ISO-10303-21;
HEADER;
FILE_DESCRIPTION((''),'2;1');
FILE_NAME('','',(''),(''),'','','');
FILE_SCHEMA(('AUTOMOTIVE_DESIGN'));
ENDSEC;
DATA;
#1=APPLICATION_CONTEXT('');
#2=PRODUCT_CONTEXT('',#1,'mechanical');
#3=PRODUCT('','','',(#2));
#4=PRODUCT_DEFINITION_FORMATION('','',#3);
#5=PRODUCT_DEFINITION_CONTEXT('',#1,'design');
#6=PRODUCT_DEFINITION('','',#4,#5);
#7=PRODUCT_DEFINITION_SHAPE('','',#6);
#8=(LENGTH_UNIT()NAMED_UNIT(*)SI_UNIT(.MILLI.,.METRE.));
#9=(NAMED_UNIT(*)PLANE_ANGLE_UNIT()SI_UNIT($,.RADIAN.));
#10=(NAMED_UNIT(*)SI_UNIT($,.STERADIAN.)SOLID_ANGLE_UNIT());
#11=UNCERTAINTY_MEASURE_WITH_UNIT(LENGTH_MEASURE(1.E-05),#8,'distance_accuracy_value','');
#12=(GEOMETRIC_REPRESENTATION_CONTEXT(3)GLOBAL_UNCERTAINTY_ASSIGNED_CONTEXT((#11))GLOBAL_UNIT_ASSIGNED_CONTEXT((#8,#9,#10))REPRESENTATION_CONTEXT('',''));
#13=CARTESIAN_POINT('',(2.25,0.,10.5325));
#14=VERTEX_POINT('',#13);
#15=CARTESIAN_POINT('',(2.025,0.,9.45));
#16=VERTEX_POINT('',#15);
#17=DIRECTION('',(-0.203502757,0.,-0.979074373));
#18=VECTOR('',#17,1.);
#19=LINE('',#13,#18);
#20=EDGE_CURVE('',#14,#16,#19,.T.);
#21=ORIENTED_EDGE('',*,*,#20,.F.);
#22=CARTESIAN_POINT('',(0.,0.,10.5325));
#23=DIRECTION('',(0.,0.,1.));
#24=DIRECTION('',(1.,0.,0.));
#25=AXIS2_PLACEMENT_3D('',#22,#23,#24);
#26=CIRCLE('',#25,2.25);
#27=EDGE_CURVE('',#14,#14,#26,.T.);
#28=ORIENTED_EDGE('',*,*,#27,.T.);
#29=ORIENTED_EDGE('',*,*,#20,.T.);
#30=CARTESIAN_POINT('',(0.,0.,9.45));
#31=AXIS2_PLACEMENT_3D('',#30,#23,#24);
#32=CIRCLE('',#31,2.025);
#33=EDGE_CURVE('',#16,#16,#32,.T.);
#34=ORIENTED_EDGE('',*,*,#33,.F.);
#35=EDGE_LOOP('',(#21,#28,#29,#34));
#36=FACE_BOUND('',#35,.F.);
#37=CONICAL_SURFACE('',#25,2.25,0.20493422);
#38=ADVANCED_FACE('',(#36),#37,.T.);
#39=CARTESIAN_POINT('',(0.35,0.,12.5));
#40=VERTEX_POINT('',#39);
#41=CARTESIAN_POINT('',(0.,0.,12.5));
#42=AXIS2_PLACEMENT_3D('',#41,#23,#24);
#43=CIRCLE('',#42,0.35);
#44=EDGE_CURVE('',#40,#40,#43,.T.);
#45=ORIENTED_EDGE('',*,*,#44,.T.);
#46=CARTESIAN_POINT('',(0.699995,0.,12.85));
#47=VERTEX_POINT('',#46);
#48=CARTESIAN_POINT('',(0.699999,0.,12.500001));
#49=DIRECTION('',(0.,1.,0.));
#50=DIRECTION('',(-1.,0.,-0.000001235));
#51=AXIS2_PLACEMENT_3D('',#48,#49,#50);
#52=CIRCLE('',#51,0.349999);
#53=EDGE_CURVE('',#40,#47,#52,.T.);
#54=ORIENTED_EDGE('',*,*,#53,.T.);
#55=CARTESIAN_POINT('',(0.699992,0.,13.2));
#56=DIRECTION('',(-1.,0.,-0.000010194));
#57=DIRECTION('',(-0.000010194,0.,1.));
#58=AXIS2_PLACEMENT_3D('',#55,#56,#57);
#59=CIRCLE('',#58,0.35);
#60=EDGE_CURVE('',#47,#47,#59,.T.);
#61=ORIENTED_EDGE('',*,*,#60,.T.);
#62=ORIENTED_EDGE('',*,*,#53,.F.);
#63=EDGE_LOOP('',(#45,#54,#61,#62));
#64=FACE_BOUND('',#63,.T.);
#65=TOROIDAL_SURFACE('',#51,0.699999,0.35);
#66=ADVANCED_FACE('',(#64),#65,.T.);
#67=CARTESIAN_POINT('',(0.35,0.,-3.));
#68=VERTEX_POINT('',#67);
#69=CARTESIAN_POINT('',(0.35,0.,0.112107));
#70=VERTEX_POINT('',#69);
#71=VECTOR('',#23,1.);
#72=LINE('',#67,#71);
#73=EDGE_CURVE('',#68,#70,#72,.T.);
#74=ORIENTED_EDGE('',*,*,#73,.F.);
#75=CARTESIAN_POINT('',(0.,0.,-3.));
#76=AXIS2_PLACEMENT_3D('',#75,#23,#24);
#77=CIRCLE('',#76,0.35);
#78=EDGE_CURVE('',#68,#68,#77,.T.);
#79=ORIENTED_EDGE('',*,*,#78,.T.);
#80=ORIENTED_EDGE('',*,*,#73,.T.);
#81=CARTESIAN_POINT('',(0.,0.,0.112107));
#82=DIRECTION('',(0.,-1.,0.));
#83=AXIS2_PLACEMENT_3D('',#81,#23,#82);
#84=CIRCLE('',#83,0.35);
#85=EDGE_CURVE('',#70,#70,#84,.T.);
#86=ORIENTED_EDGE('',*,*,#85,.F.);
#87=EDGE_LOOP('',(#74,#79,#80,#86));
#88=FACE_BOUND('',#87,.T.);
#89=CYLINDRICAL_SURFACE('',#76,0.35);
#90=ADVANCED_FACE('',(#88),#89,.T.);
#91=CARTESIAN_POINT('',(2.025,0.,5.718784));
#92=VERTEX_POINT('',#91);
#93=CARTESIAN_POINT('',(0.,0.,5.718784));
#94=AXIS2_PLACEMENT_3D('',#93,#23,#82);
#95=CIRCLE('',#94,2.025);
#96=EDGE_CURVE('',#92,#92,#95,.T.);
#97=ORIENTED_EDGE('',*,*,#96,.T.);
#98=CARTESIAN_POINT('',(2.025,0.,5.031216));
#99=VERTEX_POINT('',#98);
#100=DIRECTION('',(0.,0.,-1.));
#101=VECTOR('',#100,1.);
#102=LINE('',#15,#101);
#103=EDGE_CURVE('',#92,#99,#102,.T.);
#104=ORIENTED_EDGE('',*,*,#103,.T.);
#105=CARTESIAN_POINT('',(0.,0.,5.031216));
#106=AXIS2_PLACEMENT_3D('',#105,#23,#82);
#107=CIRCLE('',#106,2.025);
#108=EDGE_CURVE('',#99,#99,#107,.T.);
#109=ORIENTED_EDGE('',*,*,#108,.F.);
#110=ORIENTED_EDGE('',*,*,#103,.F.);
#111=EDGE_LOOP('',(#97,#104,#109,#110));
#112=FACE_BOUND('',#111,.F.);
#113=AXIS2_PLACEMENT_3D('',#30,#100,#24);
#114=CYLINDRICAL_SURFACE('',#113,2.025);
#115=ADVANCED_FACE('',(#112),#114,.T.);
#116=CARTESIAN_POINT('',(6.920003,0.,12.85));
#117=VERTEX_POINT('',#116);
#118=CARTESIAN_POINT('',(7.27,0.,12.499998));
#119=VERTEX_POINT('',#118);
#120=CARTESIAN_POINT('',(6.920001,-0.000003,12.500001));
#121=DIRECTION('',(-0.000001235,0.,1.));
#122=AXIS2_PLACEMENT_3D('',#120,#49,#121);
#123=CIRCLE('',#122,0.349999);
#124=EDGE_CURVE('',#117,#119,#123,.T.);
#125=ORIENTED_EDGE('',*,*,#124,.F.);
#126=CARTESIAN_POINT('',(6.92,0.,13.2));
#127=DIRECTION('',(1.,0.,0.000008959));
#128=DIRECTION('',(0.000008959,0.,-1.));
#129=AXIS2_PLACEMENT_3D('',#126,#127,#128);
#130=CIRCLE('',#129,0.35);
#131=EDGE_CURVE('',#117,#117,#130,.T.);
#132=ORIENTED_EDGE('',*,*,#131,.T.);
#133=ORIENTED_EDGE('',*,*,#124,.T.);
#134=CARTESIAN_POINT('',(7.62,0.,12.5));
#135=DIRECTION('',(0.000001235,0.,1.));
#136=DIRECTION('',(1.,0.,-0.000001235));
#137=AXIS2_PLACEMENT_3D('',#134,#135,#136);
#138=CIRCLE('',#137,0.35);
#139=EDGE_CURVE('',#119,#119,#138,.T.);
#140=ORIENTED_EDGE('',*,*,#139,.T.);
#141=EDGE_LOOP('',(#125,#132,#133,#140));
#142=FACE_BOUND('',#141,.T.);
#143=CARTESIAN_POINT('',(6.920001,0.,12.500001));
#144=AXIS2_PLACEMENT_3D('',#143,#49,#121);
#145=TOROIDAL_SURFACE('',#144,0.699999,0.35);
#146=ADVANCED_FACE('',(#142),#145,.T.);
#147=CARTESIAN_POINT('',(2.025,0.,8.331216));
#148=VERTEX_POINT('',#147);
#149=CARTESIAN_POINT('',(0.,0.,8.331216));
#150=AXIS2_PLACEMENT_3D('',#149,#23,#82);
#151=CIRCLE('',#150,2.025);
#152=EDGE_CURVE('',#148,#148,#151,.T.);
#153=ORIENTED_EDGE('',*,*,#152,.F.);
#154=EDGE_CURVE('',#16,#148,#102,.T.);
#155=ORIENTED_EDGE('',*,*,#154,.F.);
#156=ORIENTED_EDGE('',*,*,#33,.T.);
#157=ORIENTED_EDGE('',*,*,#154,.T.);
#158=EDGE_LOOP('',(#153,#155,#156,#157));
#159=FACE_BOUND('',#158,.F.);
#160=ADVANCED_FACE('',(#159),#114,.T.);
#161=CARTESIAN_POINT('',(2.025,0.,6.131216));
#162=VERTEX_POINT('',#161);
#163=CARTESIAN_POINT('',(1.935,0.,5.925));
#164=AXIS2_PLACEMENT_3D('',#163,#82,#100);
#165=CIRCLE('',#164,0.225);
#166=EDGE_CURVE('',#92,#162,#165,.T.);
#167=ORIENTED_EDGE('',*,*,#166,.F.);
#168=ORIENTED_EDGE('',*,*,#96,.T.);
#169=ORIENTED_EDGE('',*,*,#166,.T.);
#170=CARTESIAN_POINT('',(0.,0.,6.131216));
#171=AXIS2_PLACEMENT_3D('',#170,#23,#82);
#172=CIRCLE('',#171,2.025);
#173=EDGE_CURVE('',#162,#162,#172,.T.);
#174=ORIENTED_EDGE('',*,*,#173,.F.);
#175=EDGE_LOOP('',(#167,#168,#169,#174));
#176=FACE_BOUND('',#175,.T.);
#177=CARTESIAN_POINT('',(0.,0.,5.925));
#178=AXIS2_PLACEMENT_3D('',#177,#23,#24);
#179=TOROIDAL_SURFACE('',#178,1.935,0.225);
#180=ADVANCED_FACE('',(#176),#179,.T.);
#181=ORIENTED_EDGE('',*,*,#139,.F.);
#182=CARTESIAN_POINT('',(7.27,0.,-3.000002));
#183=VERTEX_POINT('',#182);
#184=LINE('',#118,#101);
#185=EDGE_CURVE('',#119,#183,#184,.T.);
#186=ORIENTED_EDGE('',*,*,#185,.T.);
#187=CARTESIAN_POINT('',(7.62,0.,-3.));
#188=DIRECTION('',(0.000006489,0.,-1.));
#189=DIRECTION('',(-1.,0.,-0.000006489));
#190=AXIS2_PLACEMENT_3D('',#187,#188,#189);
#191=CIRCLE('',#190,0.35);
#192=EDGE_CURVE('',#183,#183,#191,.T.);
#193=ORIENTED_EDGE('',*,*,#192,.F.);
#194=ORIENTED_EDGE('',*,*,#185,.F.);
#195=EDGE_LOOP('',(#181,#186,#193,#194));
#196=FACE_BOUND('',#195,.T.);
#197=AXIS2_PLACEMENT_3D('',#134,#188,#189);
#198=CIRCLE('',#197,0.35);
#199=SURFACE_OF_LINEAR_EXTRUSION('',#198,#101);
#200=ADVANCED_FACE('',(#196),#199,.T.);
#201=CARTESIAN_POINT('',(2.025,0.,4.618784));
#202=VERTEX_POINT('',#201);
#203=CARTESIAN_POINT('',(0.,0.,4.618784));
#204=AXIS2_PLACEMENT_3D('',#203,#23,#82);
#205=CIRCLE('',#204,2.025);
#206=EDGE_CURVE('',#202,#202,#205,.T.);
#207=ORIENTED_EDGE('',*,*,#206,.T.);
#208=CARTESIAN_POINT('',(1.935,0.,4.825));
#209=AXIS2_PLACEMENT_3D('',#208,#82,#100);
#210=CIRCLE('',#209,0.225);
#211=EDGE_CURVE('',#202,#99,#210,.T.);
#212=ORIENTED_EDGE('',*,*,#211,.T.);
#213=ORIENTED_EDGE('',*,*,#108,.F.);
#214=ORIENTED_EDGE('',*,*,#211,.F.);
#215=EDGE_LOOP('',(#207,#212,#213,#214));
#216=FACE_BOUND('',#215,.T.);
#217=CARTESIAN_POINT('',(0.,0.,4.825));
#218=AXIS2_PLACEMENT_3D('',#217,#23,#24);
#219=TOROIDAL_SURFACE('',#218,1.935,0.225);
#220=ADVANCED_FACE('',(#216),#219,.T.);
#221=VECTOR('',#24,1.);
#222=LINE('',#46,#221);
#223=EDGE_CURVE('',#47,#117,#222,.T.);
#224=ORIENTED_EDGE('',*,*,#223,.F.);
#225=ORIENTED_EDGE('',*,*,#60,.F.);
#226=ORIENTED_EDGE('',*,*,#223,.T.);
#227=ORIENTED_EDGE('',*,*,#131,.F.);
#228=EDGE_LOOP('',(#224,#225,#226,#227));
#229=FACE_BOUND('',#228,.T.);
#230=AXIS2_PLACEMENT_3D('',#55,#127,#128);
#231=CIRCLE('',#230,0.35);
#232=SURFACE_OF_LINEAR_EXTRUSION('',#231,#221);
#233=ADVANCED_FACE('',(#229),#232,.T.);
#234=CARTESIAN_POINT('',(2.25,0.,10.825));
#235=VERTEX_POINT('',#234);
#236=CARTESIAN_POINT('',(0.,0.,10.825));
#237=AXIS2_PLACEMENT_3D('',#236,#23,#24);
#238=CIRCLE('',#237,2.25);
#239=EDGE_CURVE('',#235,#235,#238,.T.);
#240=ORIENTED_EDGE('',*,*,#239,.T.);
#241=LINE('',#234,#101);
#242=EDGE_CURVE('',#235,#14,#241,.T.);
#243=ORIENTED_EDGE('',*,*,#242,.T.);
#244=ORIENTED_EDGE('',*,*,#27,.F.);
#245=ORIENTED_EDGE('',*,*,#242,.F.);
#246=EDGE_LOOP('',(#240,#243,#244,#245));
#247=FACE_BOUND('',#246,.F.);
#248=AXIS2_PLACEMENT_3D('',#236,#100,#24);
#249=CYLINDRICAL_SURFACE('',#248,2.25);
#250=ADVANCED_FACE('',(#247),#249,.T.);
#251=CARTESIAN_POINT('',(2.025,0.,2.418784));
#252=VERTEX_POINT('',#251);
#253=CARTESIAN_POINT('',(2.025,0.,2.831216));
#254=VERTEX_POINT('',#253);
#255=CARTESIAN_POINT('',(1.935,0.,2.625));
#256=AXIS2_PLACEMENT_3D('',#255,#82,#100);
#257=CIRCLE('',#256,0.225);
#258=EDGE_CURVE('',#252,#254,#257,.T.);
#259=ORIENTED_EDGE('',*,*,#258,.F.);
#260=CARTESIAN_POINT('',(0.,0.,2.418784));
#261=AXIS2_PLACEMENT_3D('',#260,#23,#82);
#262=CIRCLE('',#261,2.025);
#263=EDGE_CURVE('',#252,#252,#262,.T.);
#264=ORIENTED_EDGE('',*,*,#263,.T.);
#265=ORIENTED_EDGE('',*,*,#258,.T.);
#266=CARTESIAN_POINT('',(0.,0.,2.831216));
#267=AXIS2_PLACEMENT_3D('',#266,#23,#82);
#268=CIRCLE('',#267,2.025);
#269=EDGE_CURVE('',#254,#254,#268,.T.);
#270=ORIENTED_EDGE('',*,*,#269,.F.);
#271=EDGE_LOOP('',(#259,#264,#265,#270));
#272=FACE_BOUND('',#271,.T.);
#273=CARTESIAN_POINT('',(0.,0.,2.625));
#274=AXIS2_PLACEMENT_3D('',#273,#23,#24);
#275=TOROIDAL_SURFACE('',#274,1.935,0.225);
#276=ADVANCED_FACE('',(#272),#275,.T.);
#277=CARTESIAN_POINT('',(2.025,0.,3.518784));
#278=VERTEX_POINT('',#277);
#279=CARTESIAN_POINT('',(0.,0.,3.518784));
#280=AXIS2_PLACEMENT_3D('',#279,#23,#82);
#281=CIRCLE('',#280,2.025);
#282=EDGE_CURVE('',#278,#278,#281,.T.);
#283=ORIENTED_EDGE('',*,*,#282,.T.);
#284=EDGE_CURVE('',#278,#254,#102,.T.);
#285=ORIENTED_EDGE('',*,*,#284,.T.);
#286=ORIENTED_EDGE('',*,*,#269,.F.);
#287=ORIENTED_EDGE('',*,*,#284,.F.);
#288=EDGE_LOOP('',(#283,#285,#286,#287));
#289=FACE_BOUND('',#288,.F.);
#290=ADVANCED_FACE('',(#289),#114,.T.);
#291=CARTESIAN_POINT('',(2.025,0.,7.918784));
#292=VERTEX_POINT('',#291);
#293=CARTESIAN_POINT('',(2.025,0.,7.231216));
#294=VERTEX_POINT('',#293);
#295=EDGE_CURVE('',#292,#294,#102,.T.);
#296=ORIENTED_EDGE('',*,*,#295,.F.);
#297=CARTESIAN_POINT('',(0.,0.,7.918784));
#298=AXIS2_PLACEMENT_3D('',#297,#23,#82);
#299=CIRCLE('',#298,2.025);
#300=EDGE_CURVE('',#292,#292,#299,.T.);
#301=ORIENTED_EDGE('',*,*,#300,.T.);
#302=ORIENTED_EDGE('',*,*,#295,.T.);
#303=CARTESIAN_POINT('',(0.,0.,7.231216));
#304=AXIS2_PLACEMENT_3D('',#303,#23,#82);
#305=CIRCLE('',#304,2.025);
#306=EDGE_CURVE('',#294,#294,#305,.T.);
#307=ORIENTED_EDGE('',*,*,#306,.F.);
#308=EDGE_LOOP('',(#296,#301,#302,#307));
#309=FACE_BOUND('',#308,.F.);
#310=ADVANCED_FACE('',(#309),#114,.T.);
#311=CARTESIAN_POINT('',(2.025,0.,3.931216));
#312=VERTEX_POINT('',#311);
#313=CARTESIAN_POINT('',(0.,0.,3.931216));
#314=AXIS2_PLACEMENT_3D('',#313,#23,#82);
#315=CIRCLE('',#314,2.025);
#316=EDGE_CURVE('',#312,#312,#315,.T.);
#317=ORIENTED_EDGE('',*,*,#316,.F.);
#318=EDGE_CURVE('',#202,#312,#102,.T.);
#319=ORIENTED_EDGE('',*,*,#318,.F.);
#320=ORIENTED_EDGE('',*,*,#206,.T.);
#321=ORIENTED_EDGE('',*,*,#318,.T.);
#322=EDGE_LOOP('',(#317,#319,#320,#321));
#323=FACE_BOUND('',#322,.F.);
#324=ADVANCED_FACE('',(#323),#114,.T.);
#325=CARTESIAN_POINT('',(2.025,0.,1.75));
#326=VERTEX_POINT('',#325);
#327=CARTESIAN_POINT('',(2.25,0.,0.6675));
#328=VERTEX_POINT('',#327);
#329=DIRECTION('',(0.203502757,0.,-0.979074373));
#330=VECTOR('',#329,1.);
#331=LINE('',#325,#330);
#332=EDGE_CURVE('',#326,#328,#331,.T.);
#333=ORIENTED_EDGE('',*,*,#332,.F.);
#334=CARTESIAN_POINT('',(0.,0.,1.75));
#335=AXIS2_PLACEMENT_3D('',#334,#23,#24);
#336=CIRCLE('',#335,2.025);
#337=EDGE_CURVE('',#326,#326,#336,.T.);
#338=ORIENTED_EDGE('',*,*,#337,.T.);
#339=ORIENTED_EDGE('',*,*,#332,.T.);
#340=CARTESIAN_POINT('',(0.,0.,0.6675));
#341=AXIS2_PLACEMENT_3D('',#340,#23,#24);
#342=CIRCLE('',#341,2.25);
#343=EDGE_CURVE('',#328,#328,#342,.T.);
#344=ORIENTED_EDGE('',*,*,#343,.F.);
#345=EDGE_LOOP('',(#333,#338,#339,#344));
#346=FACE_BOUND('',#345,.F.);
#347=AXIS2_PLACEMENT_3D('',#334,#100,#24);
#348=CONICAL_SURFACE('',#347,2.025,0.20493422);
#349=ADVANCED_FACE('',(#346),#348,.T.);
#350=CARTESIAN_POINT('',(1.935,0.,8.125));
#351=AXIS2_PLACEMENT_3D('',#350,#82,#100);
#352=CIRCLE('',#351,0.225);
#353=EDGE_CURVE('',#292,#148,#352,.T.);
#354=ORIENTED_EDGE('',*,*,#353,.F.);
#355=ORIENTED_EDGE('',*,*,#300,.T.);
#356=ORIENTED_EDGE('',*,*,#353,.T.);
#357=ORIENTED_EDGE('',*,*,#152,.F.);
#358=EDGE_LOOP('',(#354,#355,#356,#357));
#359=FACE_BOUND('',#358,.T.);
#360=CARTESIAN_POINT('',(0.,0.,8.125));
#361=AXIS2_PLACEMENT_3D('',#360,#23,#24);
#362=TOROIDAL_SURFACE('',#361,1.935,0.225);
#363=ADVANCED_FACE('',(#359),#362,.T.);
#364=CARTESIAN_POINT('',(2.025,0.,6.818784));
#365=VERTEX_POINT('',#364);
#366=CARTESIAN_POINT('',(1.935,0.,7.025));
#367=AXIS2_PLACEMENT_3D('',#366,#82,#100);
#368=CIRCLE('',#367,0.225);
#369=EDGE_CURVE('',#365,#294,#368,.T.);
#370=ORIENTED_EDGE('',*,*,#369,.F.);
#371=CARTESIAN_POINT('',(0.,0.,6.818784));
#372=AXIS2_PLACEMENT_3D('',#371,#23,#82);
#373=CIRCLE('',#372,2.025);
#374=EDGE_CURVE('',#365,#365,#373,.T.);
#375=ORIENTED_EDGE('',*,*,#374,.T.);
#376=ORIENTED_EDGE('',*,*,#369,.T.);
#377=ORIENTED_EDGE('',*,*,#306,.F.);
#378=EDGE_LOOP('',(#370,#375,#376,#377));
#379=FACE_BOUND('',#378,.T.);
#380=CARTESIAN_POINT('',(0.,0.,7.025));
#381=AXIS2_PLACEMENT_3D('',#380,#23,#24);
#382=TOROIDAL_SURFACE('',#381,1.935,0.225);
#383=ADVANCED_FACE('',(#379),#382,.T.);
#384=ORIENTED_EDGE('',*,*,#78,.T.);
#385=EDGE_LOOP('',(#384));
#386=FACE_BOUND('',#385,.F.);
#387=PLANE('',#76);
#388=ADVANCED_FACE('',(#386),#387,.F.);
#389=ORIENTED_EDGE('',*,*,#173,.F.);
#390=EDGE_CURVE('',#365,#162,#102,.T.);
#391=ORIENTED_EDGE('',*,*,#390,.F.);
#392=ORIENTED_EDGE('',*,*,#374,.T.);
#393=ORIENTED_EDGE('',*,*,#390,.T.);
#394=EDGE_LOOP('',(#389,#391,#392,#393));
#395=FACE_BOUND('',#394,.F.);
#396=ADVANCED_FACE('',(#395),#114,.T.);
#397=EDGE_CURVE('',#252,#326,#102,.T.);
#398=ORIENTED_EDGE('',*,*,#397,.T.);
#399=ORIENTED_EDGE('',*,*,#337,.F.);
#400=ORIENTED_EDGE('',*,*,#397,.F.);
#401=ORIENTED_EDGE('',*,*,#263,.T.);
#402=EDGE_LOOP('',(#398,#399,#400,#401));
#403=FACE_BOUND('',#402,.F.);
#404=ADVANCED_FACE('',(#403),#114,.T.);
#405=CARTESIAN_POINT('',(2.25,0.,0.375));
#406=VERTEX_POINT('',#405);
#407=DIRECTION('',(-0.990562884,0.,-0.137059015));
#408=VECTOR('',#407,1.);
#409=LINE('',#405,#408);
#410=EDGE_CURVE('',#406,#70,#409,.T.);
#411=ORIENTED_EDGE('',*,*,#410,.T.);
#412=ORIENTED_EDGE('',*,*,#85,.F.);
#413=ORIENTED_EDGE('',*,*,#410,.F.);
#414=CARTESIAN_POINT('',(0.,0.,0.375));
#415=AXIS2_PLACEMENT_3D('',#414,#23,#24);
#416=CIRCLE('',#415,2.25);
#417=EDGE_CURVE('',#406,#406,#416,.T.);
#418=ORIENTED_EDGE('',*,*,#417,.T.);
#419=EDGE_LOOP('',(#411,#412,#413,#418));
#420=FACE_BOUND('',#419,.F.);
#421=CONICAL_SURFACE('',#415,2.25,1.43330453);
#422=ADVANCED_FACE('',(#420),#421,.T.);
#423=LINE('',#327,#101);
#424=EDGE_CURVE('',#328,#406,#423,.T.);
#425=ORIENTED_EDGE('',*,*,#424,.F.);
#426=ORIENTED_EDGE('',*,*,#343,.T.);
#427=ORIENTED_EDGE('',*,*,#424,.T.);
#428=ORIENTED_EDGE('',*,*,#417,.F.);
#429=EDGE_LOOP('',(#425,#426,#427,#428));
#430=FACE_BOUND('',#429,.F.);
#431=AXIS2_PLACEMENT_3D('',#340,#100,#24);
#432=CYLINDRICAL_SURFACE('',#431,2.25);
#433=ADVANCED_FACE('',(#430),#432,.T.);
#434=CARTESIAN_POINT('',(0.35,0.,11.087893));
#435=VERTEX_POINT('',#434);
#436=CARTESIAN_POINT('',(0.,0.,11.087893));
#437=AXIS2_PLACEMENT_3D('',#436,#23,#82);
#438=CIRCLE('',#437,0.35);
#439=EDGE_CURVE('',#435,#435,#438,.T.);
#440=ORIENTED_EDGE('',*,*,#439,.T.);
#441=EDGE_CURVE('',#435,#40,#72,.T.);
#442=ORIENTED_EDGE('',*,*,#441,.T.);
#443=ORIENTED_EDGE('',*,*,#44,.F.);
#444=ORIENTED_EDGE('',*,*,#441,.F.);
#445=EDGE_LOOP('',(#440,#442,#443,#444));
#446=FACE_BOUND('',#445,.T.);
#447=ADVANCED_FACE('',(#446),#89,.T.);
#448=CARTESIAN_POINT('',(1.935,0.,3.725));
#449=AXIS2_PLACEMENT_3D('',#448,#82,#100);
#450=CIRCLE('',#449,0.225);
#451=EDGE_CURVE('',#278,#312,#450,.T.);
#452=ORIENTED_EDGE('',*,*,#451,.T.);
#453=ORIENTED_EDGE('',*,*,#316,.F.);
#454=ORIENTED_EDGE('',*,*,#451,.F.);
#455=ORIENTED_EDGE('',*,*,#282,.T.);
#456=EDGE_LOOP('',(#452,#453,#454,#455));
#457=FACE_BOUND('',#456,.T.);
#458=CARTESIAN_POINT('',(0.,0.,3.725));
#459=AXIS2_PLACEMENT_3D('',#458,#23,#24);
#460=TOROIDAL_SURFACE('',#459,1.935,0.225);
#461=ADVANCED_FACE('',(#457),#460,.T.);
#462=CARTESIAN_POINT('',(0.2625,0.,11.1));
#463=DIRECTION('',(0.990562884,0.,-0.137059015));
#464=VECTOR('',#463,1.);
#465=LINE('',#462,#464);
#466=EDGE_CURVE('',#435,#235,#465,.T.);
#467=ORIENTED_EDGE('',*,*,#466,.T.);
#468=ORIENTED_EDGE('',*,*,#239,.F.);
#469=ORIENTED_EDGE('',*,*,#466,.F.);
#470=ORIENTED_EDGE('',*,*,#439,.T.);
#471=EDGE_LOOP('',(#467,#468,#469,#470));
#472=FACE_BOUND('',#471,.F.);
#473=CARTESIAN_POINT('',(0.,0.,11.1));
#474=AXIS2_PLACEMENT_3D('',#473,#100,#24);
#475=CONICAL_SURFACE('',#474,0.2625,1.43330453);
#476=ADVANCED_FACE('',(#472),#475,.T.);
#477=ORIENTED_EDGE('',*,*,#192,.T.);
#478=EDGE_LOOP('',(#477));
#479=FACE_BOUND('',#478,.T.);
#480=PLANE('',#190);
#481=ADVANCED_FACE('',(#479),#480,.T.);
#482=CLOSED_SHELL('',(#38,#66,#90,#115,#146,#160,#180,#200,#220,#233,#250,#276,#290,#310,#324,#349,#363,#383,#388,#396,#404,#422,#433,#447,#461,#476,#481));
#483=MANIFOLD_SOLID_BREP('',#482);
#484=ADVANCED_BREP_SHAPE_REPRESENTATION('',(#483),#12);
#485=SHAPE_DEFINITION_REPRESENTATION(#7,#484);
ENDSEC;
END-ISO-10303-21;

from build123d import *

# Parameters (mm, degrees)
SKETCH_R = 0.35


with BuildPart() as revolution:
    # Sketch002 → Revolution (revolve)
    with BuildSketch(Plane.XZ):
        Polygon((0, 0.1), (0, 11.1), (0.2625, 11.1), (2.25, 10.825), (2.25, 10.5325), (2.025, 9.45), (2.025, 1.75), (2.25, 0.6675), (2.25, 0.375), (0.2625, 0.1), align=None)
    revolve(axis=Axis((0, 0, 0), (0, 0, 1)))


with BuildPart() as sweep_body:
    # Sweep: sweep along a path in Sketch001
    with BuildLine(Plane.XZ) as sweep_path:
        Line((0, -3), (0, 12.5))
        ThreePointArc((0, 12.5), (0.205022, 12.994972), (0.699992, 13.2))
        Line((0.699992, 13.2), (6.92, 13.2))
        ThreePointArc((6.92, 13.2), (7.414975, 12.994975), (7.62, 12.5))
        Line((7.62, 12.5), (7.62, -3))
    # Sketch → Sweep (sweep)
    with BuildSketch(Plane.XY.offset(-2)):
        Circle(SKETCH_R)
    sweep(path=sweep_path.line)


with BuildPart() as revolution001_mp_cp:
    # Sketch003 → Revolution001 (revolve)
    with BuildSketch(Plane.XZ):
        with BuildLine():
            Line((1.8, 9), (1.8, 1.75))
            Line((1.8, 1.75), (1.935, 1.75))
            Line((1.935, 1.75), (1.935, 2.4))
            ThreePointArc((1.935, 2.4), (2.16, 2.625), (1.935, 2.85))
            Line((1.935, 2.85), (1.935, 3.5))
            ThreePointArc((1.935, 3.5), (2.16, 3.725), (1.935, 3.95))
            Line((1.935, 3.95), (1.935, 4.6))
            ThreePointArc((1.935, 4.6), (2.16, 4.825), (1.935, 5.05))
            Line((1.935, 5.05), (1.935, 5.7))
            ThreePointArc((1.935, 5.7), (2.16, 5.925), (1.935, 6.15))
            Line((1.935, 6.15), (1.935, 6.8))
            ThreePointArc((1.935, 6.8), (2.16, 7.025), (1.935, 7.25))
            Line((1.935, 7.25), (1.935, 7.9))
            ThreePointArc((1.935, 7.9), (2.16, 8.125), (1.935, 8.35))
            Line((1.935, 9), (1.935, 8.35))
            Line((1.8, 9), (1.935, 9))
        make_face()
    revolve(axis=Axis((0, 0, 0), (0, 0, 1)))

    # Revolution001_mp_cp: union Revolution, Sweep body
    add(revolution.part)
    add(sweep_body.part)


solid = revolution001_mp_cp.part
